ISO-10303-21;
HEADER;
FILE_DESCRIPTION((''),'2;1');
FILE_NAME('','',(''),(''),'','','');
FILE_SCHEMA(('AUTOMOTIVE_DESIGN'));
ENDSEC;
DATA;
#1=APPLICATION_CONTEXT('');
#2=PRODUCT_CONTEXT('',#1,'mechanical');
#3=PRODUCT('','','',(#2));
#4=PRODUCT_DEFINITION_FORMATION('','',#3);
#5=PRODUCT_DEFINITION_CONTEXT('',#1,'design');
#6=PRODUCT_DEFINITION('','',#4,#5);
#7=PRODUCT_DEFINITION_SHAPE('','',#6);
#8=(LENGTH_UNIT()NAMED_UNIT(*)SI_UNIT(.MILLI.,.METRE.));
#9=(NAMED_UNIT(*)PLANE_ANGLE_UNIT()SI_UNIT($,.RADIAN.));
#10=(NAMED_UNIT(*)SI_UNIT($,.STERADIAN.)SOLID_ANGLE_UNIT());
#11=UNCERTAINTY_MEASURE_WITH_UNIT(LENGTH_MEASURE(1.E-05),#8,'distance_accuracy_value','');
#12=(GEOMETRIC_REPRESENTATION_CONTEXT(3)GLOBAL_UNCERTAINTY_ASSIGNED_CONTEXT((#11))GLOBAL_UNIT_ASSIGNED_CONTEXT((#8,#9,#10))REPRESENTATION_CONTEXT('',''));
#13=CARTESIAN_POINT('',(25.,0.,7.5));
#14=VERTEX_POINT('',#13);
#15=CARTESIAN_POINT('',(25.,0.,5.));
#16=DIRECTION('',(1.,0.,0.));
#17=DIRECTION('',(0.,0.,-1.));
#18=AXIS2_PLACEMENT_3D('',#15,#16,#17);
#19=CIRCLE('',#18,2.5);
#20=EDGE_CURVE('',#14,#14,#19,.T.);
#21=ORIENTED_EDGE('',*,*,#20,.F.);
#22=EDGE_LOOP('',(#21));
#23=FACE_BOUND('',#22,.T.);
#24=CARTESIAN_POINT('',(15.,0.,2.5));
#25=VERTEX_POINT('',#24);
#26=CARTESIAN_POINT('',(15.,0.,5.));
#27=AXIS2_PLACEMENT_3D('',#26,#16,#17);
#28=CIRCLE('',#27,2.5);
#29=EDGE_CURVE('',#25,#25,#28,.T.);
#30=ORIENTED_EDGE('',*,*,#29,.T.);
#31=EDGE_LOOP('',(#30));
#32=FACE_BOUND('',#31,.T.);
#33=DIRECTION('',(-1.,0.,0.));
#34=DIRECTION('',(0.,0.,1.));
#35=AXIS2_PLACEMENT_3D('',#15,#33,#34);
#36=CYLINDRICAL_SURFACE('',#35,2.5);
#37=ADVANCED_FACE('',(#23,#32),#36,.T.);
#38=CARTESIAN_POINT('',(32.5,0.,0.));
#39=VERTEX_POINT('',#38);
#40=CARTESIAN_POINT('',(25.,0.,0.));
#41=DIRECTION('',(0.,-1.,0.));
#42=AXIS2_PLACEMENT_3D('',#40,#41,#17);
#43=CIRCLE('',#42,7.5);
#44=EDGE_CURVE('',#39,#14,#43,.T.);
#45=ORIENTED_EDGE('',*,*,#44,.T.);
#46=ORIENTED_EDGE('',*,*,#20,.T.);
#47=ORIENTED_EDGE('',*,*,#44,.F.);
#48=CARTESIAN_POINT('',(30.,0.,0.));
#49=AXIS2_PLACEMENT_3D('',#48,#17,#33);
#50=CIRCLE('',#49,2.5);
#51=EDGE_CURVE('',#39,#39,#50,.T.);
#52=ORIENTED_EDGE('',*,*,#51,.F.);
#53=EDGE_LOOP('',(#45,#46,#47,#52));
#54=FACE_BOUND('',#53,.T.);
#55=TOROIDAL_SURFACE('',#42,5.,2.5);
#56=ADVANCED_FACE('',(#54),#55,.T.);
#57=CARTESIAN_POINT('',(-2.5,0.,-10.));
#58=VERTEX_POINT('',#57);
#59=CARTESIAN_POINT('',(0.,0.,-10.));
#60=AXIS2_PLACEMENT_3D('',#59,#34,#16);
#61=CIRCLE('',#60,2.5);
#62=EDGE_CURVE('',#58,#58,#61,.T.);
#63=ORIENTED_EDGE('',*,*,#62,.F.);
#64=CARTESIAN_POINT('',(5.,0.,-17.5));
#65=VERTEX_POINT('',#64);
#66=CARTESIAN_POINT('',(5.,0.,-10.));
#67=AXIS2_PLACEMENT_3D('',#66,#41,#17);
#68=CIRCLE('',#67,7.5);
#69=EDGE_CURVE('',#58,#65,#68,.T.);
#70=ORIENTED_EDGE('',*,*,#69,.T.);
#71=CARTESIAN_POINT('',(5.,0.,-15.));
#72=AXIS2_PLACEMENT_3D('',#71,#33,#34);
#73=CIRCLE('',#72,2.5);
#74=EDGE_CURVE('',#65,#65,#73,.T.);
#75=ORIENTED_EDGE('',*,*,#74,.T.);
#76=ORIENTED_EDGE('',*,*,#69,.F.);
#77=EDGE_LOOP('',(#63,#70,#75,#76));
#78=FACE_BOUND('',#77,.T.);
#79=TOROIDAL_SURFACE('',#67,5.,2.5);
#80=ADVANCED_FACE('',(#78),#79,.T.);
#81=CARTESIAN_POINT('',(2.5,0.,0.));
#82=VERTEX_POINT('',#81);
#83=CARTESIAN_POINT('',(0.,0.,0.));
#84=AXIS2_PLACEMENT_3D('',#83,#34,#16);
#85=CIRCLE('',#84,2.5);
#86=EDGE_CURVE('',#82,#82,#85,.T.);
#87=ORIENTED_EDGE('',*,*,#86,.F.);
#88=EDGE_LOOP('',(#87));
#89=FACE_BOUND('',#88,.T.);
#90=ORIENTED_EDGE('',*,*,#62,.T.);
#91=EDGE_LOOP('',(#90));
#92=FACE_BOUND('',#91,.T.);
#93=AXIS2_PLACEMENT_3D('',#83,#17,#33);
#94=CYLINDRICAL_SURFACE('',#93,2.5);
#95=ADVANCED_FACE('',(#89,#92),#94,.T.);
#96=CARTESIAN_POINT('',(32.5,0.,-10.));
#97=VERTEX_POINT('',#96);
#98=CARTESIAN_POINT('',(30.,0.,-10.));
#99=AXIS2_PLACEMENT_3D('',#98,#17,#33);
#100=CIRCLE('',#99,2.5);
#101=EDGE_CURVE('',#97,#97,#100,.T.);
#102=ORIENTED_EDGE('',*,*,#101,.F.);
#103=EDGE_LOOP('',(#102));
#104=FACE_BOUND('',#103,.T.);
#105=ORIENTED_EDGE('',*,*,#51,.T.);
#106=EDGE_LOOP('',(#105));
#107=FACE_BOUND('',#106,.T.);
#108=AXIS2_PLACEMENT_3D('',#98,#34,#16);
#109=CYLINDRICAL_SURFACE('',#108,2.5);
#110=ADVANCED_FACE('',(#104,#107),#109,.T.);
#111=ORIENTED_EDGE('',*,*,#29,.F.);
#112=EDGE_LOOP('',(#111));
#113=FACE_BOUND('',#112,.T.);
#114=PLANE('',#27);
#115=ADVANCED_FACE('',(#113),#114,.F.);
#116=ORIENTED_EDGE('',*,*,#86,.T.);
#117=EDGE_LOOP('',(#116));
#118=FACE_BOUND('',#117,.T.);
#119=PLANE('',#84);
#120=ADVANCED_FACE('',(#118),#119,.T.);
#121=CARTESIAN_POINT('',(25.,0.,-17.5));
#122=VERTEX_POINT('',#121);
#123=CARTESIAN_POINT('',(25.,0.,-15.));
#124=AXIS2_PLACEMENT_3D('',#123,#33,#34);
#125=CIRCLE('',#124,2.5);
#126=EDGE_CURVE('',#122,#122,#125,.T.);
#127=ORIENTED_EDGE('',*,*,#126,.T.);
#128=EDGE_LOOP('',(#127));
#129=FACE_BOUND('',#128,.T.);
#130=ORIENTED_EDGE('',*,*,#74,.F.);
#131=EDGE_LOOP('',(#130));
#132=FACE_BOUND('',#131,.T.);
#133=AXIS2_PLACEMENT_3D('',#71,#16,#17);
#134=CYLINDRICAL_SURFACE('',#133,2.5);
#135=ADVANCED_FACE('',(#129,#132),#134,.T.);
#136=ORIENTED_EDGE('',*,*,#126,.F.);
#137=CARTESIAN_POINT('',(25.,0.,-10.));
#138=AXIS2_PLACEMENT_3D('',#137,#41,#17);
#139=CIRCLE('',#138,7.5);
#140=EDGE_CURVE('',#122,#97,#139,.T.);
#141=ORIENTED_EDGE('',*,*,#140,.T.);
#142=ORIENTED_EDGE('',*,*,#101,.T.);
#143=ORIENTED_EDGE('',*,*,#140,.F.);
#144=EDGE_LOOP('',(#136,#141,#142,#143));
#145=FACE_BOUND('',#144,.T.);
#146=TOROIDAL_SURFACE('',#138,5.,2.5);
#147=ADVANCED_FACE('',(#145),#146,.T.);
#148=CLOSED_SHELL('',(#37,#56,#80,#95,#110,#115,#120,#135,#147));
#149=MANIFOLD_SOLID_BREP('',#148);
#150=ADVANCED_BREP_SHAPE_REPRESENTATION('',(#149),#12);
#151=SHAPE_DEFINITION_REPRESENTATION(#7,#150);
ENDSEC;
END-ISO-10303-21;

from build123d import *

# Parameters (mm, degrees)
SWEEP1_PROFILE_R = 2.5


with BuildPart() as part:
    # Sweep1: sweep along a path in Sketch1
    with BuildLine(Plane(origin=(0, 0, 0), x_dir=(1, 0, 0), z_dir=(0, 1, 0))) as sweep1_path:
        Line((0, 0), (0, 10))
        ThreePointArc((0, 10), (1.464466094, 13.535533906), (5, 15))
        Line((5, 15), (25, 15))
        ThreePointArc((25, 15), (28.535533906, 13.535533906), (30, 10))
        Line((30, 10), (30, 0))
        ThreePointArc((30, 0), (28.535533906, -3.535533906), (25, -5))
        Line((25, -5), (15, -5))
    # Sweep1 profile (on start of the path) → Sweep1 (sweep)
    with BuildSketch(Plane(origin=(0, 0, 0), x_dir=(-1, 0, 0), z_dir=(0, 0, -1))):
        Circle(SWEEP1_PROFILE_R)
    sweep(path=sweep1_path.line)


solid = part.part
